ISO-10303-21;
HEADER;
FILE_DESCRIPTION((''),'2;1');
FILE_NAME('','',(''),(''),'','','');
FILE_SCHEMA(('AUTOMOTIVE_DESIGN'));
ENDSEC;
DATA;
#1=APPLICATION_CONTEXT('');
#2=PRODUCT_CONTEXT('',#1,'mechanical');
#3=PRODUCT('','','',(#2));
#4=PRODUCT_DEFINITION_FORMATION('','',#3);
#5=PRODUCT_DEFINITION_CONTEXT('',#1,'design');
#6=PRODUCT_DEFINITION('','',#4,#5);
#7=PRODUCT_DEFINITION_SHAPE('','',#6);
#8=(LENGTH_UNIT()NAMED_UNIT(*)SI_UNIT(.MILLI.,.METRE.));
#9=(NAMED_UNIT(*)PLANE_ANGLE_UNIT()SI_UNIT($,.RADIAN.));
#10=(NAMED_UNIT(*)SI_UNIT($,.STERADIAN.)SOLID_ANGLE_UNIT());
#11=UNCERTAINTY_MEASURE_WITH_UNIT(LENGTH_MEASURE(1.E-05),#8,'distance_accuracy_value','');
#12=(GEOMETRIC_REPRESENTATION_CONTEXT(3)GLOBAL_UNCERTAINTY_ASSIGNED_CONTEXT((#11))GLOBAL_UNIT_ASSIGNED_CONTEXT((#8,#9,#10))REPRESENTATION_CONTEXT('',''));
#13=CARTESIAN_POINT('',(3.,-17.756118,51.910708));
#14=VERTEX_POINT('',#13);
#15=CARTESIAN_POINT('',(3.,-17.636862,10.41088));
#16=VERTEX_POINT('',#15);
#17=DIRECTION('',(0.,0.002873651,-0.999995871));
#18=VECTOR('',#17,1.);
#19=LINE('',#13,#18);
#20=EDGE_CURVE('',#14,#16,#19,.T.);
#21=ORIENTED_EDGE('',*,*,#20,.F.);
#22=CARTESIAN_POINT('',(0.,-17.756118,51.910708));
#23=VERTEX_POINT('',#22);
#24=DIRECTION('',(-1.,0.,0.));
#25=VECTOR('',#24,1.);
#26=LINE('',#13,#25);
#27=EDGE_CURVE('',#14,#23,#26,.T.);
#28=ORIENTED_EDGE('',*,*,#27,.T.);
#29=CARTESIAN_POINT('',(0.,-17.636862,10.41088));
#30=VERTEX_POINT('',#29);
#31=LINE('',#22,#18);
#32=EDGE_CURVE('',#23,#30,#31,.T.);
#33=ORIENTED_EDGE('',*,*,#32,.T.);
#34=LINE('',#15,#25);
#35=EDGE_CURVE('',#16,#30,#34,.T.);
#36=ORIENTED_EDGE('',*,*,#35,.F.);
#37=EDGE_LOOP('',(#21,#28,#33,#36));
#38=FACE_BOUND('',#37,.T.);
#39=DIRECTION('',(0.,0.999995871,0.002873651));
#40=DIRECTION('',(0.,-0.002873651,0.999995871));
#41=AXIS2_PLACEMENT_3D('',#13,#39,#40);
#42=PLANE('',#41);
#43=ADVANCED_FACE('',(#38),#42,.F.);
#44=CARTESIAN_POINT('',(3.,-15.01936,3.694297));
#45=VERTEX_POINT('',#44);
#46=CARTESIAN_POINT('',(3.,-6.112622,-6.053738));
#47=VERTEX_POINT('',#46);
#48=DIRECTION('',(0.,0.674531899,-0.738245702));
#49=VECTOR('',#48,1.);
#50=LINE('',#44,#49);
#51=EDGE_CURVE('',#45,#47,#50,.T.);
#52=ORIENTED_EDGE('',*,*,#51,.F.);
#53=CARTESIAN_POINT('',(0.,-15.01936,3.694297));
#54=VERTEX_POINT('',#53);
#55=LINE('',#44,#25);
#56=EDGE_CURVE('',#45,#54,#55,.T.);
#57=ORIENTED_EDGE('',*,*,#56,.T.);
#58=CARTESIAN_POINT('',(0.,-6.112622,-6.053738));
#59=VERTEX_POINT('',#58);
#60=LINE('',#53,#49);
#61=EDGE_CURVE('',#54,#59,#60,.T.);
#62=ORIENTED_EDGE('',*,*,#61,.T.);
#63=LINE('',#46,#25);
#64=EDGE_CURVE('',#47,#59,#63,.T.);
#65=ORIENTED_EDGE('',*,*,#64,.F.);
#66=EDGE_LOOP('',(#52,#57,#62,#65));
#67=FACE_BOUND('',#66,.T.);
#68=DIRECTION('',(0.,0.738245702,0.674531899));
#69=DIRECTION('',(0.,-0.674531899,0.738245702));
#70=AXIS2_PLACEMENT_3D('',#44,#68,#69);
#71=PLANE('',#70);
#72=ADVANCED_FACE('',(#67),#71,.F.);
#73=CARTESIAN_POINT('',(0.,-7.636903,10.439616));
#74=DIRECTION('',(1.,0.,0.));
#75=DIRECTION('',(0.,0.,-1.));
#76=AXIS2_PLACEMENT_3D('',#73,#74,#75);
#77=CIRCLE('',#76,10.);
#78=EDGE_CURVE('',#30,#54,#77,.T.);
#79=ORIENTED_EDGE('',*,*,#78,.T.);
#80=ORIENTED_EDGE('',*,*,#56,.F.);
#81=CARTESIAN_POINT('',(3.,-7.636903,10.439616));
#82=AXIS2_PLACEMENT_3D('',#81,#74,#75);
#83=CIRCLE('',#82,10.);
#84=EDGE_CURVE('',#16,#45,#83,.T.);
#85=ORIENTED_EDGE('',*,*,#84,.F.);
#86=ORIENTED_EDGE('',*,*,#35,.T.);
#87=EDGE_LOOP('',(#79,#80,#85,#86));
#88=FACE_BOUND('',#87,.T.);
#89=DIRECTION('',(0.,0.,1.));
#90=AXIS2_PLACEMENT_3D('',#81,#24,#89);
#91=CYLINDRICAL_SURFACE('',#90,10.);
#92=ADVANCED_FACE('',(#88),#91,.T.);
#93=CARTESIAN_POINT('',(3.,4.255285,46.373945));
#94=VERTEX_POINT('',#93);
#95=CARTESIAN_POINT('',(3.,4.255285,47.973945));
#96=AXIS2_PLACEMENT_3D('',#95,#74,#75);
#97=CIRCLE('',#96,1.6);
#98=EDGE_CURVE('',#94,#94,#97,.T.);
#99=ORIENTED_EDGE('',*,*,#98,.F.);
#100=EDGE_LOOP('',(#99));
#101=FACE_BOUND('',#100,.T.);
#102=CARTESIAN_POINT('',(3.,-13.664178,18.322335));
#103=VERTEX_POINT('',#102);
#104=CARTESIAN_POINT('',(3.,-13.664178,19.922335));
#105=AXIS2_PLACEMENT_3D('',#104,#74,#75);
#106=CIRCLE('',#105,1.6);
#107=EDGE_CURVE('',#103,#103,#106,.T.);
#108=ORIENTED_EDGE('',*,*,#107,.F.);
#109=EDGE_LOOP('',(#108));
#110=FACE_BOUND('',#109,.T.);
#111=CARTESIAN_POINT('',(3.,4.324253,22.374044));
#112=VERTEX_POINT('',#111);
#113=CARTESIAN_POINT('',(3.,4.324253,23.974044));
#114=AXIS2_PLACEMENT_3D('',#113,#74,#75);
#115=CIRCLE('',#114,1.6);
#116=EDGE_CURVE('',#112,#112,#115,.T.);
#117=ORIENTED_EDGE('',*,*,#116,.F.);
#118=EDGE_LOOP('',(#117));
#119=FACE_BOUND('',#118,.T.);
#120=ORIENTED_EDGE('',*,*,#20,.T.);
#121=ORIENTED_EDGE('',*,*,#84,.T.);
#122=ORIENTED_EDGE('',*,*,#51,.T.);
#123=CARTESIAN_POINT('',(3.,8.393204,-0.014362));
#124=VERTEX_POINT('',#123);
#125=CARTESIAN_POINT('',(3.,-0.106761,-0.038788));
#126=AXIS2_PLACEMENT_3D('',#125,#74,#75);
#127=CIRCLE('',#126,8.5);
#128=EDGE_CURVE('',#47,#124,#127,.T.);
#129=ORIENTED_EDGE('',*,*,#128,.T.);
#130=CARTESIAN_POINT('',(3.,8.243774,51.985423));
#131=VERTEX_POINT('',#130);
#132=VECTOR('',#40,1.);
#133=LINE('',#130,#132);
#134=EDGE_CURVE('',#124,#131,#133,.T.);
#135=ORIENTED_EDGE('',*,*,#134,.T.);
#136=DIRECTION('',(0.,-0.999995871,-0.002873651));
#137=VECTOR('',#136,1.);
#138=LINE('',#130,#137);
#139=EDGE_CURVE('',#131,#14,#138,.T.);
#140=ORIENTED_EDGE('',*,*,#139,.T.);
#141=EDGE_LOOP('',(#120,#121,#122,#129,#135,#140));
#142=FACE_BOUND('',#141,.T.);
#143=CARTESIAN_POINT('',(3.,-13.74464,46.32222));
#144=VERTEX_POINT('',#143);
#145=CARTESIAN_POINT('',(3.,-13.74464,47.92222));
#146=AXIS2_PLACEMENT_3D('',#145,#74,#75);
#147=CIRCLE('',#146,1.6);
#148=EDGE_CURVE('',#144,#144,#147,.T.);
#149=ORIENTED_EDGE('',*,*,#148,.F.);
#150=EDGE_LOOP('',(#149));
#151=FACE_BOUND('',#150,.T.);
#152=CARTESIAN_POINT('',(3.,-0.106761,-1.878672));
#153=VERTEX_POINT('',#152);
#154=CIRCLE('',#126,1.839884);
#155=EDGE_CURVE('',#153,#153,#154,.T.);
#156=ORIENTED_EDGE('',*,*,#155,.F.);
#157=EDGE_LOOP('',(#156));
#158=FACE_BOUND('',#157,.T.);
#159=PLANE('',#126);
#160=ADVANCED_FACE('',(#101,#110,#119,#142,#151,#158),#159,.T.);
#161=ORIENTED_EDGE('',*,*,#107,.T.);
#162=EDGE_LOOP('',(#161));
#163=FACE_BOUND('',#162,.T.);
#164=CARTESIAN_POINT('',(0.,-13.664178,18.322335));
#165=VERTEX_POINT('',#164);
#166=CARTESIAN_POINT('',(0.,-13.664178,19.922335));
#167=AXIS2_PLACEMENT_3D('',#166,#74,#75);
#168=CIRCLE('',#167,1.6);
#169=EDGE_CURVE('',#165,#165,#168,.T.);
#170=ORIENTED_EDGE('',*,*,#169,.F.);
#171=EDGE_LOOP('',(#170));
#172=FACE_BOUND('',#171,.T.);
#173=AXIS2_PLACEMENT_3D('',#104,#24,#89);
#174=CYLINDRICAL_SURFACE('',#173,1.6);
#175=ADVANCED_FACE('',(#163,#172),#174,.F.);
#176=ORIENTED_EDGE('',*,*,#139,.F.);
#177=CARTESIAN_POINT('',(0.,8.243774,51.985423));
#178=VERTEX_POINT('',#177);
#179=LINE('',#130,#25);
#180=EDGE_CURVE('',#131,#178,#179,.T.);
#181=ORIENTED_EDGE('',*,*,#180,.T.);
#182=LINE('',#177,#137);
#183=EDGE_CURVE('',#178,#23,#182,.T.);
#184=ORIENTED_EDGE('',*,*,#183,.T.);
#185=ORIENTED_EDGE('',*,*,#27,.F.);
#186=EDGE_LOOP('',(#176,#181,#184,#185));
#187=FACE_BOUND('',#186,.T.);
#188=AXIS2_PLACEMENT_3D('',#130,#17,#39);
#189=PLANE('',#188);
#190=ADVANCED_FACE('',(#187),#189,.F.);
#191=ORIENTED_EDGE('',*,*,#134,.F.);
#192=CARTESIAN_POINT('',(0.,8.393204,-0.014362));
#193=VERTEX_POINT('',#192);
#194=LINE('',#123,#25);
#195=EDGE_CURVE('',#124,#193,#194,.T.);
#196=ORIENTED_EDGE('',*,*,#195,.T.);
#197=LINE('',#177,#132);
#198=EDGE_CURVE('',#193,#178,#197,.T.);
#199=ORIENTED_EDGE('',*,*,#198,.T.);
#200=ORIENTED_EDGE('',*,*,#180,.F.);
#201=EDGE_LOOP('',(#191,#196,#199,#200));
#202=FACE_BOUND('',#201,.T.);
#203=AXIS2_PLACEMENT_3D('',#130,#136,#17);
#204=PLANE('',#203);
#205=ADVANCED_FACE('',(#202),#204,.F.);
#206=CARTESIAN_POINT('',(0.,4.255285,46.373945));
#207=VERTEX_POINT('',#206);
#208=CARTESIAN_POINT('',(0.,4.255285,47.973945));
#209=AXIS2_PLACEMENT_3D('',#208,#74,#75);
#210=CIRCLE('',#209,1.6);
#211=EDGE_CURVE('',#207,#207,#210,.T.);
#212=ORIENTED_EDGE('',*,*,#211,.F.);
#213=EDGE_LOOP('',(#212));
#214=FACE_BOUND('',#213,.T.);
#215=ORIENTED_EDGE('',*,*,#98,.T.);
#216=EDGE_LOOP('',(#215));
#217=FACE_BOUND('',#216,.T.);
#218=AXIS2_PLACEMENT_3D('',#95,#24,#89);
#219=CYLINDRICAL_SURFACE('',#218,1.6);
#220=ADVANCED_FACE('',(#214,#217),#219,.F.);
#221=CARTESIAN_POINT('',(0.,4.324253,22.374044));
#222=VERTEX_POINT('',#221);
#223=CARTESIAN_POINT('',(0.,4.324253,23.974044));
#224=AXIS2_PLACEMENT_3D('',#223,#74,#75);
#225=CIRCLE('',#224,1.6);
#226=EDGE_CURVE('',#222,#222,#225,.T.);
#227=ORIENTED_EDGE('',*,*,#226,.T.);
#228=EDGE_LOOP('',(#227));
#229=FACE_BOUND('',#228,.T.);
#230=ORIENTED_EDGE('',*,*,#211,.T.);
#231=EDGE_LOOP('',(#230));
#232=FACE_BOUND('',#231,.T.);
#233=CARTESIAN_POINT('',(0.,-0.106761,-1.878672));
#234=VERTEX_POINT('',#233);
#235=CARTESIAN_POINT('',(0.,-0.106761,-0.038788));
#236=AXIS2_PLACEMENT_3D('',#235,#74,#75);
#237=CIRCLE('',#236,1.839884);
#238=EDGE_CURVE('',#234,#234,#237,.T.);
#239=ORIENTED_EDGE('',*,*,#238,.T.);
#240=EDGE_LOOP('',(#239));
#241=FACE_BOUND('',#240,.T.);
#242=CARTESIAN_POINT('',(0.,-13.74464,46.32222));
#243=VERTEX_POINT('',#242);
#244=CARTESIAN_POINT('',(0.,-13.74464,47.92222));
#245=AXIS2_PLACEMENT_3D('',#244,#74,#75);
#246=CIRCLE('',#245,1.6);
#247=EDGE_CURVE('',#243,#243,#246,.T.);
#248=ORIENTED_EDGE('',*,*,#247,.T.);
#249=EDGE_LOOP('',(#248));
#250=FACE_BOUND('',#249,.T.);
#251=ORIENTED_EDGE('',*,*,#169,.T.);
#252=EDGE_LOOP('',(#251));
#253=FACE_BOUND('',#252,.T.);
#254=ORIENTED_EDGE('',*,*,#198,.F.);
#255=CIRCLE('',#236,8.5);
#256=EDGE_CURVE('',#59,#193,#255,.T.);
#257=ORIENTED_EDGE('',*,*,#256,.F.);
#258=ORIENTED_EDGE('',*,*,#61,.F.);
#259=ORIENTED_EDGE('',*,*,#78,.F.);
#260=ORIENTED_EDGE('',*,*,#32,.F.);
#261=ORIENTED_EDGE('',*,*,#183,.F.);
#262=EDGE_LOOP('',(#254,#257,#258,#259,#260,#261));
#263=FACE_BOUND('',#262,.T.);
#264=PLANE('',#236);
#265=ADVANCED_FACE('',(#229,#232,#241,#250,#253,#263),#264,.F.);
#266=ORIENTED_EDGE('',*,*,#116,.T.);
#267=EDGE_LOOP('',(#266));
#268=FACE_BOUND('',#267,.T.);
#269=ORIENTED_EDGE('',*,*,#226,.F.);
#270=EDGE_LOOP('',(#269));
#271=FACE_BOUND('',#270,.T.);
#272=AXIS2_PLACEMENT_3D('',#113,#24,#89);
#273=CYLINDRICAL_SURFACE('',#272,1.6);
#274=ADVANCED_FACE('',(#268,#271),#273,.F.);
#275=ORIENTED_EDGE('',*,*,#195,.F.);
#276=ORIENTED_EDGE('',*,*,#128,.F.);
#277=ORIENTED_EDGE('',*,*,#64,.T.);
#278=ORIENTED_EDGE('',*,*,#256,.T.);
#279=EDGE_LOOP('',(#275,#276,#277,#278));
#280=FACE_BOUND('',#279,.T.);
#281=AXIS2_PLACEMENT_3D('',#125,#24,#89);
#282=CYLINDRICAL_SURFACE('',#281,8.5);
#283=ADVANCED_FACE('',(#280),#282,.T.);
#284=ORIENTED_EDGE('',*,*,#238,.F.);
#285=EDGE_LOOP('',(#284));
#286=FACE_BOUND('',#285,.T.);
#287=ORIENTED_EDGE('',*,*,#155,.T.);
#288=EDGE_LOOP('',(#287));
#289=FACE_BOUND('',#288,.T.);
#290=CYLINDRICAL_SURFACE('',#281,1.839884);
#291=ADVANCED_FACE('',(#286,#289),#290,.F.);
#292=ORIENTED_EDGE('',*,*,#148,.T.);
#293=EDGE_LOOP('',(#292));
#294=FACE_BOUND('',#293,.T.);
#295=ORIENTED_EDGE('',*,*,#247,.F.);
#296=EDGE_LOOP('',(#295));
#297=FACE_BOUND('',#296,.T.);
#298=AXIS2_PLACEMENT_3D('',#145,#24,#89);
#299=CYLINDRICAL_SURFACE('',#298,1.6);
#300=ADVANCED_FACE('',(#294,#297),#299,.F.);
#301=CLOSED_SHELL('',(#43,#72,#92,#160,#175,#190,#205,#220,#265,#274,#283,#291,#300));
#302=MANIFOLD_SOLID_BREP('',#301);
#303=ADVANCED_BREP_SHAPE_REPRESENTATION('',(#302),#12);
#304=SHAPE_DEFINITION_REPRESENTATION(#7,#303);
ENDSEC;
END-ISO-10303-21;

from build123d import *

# Parameters (mm, degrees)
SKETCH_1_R      = 1.839883841
SKETCH_1_R_2    = 1.6
EXTRUDE_1_DEPTH = 3


with BuildPart() as part:
    # 草图1 → 凸台-拉伸1 (new body)
    with BuildSketch(Plane(origin=(0, 0, 0), x_dir=(0, 0, -1), z_dir=(1, 0, 0))):
        with BuildLine():
            Line((-51.910708478, -17.756118332), (-10.410879829, -17.636861799))
            ThreePointArc((-10.410879829, -17.636861799), (-6.80853031, -16.954371319), (-3.69429735, -15.01936011))
            Line((-3.69429735, -15.01936011), (6.053738335, -6.112622142))
            ThreePointArc((6.053738335, -6.112622142), (7.885847556, 3.160295303), (0.014361881, 8.393204188))
            Line((0.014361881, 8.393204188), (-51.985423414, 8.243774315))
            Line((-51.985423414, 8.243774315), (-51.910708478, -17.756118332))
        make_face()
        with Locations((0.038787918, -0.106760716)):
            Circle(SKETCH_1_R, mode=Mode.SUBTRACT)
        with Locations((-47.973945324, 4.255285437)):
            Circle(SKETCH_1_R_2, mode=Mode.SUBTRACT)
        with Locations((-19.92233521, -13.664178003)):
            Circle(SKETCH_1_R_2, mode=Mode.SUBTRACT)
        with Locations((-23.974044419, 4.32425307)):
            Circle(SKETCH_1_R_2, mode=Mode.SUBTRACT)
        with Locations((-47.922219599, -13.744640242)):
            Circle(SKETCH_1_R_2, mode=Mode.SUBTRACT)
    extrude(amount=EXTRUDE_1_DEPTH)


solid = part.part
